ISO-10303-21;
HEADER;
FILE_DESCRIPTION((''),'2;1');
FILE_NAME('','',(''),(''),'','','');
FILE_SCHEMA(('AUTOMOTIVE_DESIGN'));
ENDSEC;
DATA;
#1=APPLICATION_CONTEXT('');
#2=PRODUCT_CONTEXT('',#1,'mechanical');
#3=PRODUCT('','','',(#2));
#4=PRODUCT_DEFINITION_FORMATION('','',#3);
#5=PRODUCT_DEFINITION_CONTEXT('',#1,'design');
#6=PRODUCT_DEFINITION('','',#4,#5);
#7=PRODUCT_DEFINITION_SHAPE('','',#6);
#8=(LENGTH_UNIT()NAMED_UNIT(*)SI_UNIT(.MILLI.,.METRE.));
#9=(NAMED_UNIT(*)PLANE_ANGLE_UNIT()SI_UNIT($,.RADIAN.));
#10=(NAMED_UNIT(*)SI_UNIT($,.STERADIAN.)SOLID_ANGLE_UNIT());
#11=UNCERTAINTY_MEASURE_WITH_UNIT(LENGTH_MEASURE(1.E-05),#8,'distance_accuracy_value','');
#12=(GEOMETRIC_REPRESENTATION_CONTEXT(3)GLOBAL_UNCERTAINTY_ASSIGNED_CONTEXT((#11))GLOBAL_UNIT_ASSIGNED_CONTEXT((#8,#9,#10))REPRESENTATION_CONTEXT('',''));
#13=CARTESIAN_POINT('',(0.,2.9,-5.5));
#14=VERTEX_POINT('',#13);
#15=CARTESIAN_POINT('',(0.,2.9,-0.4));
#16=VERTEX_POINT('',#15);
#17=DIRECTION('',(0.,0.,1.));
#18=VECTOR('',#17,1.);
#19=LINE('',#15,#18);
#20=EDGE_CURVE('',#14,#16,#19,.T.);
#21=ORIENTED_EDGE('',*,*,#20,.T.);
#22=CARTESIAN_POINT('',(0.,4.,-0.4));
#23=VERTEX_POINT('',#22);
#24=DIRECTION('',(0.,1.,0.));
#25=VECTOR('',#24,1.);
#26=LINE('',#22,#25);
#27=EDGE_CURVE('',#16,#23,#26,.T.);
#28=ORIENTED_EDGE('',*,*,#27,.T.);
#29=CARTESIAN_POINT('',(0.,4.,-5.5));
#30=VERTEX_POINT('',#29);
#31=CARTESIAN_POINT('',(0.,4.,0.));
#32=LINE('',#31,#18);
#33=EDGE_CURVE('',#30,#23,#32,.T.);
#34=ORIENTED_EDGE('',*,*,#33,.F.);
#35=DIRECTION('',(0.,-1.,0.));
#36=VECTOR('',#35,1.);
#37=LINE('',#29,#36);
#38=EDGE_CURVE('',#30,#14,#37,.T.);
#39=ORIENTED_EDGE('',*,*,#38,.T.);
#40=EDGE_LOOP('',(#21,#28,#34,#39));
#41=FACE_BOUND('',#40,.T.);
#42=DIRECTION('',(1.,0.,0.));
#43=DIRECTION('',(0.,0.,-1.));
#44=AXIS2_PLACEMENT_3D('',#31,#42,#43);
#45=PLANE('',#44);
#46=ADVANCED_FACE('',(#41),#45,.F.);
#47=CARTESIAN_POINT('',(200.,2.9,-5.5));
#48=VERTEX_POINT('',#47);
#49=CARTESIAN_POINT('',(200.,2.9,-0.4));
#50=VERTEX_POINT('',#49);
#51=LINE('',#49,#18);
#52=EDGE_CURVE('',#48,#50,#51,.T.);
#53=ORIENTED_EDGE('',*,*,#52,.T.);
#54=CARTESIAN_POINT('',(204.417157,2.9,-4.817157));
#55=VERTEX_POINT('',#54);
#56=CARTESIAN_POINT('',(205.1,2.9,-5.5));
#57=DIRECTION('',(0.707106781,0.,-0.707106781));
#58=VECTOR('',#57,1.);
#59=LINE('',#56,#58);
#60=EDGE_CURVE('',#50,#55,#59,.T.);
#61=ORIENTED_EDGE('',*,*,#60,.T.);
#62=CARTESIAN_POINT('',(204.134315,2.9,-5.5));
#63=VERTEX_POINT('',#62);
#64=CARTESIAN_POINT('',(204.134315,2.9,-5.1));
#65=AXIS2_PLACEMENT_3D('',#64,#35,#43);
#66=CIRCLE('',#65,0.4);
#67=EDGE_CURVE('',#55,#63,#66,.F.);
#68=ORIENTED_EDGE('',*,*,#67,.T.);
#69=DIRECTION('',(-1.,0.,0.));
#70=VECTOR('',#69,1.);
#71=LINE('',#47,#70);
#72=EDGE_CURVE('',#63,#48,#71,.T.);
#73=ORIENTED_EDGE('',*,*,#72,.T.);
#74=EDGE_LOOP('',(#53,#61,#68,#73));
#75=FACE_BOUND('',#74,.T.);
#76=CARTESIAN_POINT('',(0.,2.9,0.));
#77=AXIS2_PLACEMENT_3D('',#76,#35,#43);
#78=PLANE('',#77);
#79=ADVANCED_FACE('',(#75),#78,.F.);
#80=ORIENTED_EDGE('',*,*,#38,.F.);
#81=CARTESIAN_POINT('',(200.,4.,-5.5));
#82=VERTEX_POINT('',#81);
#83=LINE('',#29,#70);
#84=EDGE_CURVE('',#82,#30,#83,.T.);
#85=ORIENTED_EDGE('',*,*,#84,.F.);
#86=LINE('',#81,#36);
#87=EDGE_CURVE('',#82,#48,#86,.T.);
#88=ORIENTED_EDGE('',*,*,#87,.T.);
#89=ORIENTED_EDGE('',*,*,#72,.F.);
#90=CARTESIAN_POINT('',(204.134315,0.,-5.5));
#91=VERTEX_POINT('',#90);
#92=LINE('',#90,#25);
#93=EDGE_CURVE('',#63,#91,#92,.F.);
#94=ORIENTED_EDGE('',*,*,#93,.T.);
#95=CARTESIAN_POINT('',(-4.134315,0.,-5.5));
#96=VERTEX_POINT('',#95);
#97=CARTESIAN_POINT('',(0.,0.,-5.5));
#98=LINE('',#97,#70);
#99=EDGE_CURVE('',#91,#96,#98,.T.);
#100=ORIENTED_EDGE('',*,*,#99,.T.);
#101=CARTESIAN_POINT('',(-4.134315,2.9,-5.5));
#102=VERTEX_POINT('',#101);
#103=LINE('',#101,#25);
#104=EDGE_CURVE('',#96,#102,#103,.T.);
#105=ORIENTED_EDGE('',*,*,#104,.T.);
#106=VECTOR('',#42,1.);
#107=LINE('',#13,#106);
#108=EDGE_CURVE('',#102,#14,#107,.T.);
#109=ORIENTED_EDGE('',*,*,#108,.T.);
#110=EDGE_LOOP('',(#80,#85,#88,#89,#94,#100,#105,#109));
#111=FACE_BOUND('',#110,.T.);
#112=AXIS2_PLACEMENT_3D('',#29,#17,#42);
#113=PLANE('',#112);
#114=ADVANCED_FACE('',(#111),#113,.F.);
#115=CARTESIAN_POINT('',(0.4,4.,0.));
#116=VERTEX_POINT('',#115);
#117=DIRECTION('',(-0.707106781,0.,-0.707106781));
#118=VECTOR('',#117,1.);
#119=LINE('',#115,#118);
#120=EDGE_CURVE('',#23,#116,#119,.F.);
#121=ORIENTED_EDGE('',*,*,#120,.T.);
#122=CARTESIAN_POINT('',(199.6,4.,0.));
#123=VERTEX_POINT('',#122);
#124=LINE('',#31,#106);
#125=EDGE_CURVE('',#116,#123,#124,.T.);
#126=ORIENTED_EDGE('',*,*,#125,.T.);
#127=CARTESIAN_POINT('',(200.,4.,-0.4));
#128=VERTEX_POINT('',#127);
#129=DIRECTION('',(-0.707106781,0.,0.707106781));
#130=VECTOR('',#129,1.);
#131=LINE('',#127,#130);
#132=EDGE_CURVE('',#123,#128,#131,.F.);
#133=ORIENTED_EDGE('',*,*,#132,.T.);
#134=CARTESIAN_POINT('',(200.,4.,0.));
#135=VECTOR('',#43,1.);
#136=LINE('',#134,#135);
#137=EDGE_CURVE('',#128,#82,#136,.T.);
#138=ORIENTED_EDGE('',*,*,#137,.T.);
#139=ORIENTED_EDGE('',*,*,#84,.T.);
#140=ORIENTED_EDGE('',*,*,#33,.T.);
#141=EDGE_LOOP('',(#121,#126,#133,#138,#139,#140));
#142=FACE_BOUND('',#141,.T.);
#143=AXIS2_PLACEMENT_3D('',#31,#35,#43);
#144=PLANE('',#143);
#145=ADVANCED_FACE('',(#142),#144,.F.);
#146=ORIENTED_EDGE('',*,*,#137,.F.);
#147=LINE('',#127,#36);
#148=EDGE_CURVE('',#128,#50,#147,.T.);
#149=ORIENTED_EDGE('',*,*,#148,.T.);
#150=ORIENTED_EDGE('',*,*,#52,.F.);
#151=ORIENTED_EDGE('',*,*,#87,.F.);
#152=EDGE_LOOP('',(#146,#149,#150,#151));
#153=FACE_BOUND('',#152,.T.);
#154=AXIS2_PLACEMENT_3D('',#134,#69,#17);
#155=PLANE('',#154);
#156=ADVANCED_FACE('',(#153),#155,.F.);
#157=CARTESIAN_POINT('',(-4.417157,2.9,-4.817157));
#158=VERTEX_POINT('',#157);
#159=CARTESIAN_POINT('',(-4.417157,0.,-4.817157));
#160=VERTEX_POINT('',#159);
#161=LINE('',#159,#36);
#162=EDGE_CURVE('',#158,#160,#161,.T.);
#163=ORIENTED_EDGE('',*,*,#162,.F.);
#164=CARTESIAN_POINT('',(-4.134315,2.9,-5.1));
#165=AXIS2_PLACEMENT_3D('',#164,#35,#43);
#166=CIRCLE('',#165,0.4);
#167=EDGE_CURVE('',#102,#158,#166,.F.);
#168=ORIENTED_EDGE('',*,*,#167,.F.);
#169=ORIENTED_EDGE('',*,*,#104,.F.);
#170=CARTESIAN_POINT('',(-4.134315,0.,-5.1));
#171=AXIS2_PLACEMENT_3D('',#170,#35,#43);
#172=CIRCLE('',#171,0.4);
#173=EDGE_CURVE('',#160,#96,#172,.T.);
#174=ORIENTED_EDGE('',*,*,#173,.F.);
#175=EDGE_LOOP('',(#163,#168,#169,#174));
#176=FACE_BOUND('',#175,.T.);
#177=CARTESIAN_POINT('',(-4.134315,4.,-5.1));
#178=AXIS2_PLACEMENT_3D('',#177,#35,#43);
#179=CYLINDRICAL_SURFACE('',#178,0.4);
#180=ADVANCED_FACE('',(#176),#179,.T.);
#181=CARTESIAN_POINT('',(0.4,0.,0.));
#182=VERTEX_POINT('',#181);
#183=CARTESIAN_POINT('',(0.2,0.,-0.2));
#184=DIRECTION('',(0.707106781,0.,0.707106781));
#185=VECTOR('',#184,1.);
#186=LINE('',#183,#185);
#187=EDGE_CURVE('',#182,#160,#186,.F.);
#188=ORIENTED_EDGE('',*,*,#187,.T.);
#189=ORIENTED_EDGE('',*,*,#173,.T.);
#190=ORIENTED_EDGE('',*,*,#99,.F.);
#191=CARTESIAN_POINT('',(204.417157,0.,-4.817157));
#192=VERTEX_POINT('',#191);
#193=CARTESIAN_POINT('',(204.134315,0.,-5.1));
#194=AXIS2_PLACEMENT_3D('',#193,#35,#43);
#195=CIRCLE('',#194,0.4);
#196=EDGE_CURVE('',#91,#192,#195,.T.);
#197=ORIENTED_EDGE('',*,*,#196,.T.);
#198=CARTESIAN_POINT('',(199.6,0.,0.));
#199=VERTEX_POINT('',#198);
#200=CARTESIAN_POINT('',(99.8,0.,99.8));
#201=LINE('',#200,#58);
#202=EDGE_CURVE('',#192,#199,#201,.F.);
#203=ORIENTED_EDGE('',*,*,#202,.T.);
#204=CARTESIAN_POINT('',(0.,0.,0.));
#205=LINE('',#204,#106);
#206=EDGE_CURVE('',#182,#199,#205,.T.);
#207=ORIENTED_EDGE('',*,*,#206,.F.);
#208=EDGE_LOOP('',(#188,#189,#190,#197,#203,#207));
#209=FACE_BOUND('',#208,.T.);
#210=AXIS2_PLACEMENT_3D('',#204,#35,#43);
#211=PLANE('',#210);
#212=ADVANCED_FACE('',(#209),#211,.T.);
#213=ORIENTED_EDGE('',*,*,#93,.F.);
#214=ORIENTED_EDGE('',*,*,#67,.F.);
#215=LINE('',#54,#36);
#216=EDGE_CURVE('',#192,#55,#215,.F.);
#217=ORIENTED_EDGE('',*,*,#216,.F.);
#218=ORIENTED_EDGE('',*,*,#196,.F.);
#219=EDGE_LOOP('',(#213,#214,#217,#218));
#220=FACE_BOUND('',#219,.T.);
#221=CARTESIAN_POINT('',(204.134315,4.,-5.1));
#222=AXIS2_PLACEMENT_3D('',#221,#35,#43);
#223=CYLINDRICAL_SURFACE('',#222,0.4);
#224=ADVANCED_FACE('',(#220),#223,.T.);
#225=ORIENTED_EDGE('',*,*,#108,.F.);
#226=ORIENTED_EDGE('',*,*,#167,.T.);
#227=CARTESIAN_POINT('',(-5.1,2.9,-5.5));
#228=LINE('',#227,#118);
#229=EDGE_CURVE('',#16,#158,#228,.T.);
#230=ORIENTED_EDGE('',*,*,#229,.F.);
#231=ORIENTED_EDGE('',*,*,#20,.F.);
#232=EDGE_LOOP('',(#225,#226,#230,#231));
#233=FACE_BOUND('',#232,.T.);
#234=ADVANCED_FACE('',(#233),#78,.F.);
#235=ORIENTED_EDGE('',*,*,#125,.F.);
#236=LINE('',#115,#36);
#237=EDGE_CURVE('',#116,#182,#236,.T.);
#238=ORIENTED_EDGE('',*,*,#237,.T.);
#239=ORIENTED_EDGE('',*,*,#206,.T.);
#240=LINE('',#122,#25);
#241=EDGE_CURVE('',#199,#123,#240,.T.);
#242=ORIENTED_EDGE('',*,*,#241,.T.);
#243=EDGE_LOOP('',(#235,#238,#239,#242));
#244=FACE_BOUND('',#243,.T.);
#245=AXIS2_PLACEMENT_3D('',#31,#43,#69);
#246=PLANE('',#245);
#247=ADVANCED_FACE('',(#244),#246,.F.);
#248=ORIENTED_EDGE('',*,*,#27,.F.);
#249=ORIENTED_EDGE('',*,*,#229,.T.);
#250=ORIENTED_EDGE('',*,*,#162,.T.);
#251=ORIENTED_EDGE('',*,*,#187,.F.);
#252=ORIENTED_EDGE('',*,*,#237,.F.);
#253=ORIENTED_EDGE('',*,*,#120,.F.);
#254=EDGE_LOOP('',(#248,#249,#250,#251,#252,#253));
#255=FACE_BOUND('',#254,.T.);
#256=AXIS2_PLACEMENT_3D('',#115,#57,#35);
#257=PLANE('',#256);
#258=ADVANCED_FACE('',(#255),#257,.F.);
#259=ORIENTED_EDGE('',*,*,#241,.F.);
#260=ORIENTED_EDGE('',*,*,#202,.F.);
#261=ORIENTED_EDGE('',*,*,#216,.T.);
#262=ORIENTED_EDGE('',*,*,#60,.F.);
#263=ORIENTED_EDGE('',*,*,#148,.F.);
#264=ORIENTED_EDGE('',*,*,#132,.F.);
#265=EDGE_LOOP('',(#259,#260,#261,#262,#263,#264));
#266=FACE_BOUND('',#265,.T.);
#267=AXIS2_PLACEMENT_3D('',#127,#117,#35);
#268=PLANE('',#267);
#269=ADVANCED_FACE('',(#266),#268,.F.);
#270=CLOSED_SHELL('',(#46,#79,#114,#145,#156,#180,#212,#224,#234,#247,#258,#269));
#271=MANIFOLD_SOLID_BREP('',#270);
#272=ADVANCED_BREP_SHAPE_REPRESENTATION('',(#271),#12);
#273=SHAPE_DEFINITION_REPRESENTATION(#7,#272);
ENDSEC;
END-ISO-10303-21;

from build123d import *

# Parameters (mm, degrees)
ESQUISSE1_W        = 200
ESQUISSE1_H        = 5.5
BOSS_EXTRU_1_DEPTH = 4
CHANFREIN1_SIZE    = 0.4
BOSS_EXTRU_2_DEPTH = 2.9
CONG_1_R           = 0.4


with BuildPart() as part:
    # Esquisse1 → Boss.-Extru.1 (new body)
    with BuildSketch(Plane(origin=(0, 0, 0), x_dir=(1, 0, 0), z_dir=(0, 1, 0))):
        with Locations((100, 2.75)):
            Rectangle(ESQUISSE1_W, ESQUISSE1_H)
    extrude(amount=BOSS_EXTRU_1_DEPTH)

    # Chanfrein1
    chanfrein1_edges = [part.edges().sort_by_distance(p)[0] for p in [
        (200, 2, 0),
        (0, 2, 0),
    ]]
    chamfer(chanfrein1_edges, length=CHANFREIN1_SIZE)

    # Esquisse2 → Boss.-Extru.2 (add)
    with BuildSketch(Plane(origin=(0, 0, 0), x_dir=(1, 0, 0), z_dir=(0, 1, 0))):
        Polygon((0, 5.5), (-5.1, 5.5), (0, 0.4), align=None)
    boss_extru_2 = extrude(amount=BOSS_EXTRU_2_DEPTH)

    # Symétrie1: Boss.-Extru.2 across plane
    add(boss_extru_2.mirror(Plane.ZY.offset(-100)))

    # Congé1
    cong_1_edges = [part.edges().sort_by_distance(p)[0] for p in [
        (-5.1, 1.45, -5.5),
        (205.1, 1.45, -5.5),
    ]]
    fillet(cong_1_edges, radius=CONG_1_R)


solid = part.part
